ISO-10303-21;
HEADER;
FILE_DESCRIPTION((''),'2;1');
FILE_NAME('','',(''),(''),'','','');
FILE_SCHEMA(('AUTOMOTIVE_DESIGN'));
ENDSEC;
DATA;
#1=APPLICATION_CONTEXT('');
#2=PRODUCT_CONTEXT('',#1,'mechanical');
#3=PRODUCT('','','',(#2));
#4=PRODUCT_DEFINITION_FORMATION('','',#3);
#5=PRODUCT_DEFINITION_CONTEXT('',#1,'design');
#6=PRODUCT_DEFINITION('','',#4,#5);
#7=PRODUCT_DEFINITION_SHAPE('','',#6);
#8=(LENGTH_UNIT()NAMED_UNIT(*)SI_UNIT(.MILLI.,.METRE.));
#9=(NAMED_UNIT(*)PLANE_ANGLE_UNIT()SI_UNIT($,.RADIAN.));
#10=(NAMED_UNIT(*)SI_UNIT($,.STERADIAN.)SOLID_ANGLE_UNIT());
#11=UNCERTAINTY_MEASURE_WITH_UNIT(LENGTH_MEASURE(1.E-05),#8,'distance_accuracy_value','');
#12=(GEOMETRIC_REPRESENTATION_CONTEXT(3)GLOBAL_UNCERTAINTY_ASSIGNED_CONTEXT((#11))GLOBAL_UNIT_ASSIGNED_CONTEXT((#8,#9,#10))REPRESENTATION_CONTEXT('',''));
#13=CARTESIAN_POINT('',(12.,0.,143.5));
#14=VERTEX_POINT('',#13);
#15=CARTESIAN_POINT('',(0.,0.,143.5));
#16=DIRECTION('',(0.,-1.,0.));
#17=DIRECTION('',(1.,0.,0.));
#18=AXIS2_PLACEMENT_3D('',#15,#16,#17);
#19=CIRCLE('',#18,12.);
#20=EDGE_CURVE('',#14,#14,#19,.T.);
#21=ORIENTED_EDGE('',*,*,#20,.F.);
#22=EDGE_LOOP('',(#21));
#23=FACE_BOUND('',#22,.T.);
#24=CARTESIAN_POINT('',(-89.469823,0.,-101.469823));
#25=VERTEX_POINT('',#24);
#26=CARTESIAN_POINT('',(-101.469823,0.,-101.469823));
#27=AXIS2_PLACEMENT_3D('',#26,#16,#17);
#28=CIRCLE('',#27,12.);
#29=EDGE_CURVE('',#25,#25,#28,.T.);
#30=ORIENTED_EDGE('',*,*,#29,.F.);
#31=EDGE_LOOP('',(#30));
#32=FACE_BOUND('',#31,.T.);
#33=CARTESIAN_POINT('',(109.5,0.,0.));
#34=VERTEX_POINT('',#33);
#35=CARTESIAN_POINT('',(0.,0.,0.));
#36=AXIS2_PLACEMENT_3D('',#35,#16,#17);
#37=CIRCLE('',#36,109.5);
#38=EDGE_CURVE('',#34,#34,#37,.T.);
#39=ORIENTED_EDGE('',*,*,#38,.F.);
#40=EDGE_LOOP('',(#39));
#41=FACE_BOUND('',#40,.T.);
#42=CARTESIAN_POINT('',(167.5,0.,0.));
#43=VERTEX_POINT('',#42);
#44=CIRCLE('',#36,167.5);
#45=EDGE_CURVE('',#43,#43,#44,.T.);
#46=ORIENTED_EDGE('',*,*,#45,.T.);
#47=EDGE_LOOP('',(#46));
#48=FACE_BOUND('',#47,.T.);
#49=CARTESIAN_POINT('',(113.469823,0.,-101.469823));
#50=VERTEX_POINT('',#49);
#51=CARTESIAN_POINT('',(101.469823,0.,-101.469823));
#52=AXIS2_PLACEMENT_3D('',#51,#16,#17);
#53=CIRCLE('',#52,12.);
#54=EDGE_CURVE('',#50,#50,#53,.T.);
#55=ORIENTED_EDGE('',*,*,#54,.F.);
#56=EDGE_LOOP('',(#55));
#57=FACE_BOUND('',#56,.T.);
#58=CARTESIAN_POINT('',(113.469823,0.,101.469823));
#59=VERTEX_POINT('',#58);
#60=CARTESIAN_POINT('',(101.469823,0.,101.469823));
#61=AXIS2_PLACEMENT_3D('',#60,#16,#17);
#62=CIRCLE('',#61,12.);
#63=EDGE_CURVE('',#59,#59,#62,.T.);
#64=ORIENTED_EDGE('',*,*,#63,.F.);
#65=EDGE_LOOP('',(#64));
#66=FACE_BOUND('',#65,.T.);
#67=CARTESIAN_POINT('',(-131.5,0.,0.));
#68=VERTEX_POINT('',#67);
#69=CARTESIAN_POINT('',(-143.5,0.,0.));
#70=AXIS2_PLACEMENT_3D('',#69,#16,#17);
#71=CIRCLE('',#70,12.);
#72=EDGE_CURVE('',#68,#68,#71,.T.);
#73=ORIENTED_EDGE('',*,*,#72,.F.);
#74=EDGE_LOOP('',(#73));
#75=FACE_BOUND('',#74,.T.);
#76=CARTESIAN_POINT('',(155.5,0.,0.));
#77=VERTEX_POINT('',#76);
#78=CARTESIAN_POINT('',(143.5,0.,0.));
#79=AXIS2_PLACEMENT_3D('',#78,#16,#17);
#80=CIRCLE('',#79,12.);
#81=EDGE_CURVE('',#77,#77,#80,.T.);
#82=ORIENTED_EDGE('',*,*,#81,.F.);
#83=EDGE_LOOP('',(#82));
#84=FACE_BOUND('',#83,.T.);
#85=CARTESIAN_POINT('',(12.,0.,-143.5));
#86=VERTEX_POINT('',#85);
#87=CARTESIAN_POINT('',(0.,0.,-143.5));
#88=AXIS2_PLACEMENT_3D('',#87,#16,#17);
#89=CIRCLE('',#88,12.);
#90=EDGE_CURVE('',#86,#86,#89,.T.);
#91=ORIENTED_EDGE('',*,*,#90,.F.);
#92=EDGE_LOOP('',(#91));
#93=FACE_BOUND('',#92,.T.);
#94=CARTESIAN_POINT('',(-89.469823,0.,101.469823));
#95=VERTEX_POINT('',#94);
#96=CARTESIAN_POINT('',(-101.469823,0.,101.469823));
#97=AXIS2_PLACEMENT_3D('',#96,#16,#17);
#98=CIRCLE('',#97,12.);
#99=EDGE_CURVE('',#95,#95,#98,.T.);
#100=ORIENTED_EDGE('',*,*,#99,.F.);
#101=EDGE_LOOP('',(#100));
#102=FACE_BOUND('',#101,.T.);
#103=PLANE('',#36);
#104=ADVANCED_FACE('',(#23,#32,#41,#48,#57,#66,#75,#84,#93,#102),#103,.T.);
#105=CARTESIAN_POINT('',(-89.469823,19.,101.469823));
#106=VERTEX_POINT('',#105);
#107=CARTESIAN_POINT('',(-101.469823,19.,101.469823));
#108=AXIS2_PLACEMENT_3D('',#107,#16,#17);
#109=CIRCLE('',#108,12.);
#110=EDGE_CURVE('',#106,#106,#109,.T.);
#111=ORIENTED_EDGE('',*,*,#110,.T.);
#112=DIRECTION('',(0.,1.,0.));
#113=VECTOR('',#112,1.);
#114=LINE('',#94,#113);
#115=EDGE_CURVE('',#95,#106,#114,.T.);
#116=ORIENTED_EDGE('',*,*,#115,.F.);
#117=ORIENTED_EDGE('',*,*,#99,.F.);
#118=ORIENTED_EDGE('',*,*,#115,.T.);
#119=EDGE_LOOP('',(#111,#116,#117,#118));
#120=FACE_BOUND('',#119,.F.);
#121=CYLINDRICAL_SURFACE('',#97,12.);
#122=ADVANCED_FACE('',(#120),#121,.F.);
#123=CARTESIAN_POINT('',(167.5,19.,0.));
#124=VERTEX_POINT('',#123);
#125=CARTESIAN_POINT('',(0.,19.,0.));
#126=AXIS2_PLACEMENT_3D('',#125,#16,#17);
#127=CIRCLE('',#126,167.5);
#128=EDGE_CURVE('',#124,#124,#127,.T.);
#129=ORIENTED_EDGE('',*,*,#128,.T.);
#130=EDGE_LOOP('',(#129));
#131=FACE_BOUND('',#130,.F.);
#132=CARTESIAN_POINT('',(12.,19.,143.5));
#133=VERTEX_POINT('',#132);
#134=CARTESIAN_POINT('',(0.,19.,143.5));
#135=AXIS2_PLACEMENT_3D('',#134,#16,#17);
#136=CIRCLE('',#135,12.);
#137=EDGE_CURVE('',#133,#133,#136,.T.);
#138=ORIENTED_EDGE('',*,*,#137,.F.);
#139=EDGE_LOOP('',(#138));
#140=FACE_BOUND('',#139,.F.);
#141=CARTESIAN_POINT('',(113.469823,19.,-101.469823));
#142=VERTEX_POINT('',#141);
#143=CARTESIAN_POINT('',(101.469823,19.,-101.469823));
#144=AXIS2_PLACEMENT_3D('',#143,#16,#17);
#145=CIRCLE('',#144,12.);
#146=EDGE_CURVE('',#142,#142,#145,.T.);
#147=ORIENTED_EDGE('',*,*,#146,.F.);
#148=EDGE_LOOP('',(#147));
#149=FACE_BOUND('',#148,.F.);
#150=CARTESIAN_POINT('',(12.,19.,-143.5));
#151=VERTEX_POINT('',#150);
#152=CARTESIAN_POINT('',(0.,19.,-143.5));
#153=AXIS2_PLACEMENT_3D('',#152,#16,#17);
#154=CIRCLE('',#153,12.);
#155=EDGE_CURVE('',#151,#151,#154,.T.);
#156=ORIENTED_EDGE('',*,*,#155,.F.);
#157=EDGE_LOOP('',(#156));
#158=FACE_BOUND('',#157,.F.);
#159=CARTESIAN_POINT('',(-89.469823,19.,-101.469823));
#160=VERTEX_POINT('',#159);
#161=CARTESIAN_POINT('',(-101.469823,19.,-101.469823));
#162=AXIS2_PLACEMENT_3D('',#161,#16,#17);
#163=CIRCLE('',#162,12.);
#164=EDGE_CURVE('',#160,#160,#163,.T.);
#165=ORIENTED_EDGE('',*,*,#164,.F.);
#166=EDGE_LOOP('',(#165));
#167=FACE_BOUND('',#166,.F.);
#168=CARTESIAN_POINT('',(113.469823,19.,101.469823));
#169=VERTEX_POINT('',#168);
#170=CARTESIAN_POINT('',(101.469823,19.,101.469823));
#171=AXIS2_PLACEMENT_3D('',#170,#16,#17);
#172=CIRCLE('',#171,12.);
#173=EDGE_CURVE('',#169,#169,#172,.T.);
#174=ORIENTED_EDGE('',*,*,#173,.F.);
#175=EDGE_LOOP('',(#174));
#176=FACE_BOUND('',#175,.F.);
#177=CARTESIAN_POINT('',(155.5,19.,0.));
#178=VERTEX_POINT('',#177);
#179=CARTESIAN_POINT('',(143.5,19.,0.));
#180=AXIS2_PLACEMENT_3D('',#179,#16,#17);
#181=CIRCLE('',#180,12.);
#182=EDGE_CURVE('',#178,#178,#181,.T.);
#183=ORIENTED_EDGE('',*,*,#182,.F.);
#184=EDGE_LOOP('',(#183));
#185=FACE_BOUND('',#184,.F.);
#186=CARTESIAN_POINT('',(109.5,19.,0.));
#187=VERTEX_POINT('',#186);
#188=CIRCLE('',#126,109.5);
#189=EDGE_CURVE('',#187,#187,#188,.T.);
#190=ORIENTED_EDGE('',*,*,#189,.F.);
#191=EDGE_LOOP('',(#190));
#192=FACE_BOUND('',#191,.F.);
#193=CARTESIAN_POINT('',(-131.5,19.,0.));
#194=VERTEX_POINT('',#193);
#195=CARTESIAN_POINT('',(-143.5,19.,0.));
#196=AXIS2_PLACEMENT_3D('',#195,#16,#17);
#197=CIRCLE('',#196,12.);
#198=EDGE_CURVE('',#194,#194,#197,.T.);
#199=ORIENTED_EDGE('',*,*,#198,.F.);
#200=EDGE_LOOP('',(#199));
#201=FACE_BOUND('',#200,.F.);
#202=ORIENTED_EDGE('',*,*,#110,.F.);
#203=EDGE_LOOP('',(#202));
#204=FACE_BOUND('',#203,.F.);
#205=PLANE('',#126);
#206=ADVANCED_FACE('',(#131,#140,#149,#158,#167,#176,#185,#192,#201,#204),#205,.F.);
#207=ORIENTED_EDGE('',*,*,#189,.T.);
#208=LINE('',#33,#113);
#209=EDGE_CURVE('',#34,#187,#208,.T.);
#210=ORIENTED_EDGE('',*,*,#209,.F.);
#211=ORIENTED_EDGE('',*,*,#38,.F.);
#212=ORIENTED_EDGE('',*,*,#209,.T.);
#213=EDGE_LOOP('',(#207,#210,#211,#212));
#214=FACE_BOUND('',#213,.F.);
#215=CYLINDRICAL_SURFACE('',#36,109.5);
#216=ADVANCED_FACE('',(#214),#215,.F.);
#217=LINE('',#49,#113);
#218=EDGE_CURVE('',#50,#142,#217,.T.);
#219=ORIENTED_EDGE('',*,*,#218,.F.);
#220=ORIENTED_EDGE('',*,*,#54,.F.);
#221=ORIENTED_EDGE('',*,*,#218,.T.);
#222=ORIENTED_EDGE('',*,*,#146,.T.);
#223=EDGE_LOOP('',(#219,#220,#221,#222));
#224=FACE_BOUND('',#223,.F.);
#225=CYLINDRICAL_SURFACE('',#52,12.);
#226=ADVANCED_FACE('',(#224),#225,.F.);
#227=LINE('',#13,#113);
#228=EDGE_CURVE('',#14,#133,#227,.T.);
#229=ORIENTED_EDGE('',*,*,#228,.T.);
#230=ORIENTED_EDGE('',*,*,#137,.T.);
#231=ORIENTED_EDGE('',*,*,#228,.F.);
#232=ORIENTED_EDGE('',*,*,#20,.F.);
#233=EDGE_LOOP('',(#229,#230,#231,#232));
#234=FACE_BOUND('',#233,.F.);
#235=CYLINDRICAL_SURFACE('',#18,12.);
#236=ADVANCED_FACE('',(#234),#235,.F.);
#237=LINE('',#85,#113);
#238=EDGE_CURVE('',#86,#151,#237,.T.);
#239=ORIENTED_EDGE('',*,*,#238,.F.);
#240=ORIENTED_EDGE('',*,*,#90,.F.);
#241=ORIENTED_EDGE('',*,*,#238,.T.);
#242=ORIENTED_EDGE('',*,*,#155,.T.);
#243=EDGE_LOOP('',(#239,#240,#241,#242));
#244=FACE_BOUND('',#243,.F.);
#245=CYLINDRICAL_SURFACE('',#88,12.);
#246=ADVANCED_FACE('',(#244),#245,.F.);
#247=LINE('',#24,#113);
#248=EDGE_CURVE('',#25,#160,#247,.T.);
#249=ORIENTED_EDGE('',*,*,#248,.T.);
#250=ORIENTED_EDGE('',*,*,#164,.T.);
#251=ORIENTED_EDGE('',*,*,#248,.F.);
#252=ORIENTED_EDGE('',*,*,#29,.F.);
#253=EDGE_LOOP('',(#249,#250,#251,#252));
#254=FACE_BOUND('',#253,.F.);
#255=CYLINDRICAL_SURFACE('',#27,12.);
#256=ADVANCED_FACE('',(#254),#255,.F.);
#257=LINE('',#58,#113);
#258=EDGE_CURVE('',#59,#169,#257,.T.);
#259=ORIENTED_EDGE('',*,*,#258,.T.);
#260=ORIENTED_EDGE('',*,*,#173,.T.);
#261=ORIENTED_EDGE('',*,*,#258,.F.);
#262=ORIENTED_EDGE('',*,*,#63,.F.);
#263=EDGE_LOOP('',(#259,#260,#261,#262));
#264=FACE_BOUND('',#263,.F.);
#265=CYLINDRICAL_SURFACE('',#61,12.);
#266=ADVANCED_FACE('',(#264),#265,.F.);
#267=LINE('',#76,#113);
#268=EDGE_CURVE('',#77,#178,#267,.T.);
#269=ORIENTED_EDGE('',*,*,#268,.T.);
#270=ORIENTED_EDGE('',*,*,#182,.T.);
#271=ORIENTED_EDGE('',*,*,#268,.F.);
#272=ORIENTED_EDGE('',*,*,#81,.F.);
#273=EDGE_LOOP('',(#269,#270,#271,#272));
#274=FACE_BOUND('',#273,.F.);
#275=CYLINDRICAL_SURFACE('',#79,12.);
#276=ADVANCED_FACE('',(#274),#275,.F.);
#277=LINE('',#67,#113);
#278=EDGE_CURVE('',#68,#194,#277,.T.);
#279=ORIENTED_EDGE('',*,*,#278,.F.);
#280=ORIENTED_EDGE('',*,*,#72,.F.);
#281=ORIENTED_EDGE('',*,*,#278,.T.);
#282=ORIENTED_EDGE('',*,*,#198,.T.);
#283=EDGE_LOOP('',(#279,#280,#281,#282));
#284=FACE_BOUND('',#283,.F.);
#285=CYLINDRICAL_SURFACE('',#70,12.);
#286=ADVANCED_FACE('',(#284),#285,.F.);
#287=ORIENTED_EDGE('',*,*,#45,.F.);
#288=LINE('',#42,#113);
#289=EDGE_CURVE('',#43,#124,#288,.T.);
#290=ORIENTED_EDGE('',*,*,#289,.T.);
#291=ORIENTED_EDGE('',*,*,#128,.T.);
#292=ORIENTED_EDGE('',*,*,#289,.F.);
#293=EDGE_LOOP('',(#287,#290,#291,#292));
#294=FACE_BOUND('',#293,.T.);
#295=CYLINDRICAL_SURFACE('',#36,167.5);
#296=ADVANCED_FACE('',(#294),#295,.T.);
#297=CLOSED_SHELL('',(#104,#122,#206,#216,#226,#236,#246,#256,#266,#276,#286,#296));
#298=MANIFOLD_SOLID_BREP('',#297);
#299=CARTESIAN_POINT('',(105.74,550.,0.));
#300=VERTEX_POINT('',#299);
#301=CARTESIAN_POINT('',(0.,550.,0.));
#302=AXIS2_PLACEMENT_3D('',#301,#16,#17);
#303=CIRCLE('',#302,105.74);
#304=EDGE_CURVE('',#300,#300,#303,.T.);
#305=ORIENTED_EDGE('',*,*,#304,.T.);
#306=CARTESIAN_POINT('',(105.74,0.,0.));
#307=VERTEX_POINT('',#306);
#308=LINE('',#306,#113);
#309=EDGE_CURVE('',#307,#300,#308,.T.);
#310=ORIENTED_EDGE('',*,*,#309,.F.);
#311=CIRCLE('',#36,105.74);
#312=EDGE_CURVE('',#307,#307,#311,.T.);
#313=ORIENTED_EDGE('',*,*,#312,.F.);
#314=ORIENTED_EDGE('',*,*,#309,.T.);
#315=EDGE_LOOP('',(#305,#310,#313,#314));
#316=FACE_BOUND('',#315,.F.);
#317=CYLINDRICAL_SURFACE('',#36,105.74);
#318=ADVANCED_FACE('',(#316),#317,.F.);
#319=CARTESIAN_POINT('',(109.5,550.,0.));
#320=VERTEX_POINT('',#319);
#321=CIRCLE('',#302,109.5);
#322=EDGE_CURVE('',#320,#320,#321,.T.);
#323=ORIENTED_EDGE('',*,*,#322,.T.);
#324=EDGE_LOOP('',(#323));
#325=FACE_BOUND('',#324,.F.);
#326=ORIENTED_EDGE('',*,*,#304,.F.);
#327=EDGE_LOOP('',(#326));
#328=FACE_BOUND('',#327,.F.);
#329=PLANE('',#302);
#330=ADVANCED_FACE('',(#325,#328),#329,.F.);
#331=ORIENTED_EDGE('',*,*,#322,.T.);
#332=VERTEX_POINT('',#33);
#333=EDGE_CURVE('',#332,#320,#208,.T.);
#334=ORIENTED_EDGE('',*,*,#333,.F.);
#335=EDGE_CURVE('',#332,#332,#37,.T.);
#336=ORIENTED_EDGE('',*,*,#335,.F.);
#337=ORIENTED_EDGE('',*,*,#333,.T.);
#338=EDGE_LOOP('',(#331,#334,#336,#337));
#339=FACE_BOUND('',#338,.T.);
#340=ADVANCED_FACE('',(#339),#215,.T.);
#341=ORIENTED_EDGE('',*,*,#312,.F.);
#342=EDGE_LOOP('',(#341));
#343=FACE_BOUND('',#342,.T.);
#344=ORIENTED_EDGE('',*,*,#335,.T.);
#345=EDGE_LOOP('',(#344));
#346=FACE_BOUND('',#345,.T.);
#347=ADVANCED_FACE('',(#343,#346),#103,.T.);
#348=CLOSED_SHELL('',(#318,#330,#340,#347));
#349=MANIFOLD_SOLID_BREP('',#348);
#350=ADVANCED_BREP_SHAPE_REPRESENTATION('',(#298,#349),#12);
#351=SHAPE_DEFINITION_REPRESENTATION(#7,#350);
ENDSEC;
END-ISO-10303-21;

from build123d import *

# Parameters (mm, degrees)
F0_R     = 109.5
F0_R_2   = 105.74
F2_DEPTH = 550
F3_R     = 167.5
F3_R_2   = 12
F3_R_3   = 109.5
F4_DEPTH = 19


with BuildPart() as f2:
    # F0 (on Front) → F2 (new body)
    with BuildSketch(Plane.XZ):
        Circle(F0_R)
        Circle(F0_R_2, mode=Mode.SUBTRACT)
    extrude(amount=-F2_DEPTH)


with BuildPart() as f4:
    # F3 (on Front) → F4 (new body)
    with BuildSketch(Plane.XZ):
        Circle(F3_R)
        with Locations((-101.4698231003, -101.4698231003)):
            Circle(F3_R_2, mode=Mode.SUBTRACT)
        with Locations((0, -143.5)):
            Circle(F3_R_2, mode=Mode.SUBTRACT)
        with Locations((101.4698231003, -101.4698231003)):
            Circle(F3_R_2, mode=Mode.SUBTRACT)
        with Locations((-143.5, 0)):
            Circle(F3_R_2, mode=Mode.SUBTRACT)
        with Locations((-101.4698231003, 101.4698231003)):
            Circle(F3_R_2, mode=Mode.SUBTRACT)
        Circle(F3_R_3, mode=Mode.SUBTRACT)
        with Locations((143.5, 0)):
            Circle(F3_R_2, mode=Mode.SUBTRACT)
        with Locations((0, 143.5)):
            Circle(F3_R_2, mode=Mode.SUBTRACT)
        with Locations((101.4698231003, 101.4698231003)):
            Circle(F3_R_2, mode=Mode.SUBTRACT)
    extrude(amount=-F4_DEPTH)


solid = Compound([f2.part, f4.part])
